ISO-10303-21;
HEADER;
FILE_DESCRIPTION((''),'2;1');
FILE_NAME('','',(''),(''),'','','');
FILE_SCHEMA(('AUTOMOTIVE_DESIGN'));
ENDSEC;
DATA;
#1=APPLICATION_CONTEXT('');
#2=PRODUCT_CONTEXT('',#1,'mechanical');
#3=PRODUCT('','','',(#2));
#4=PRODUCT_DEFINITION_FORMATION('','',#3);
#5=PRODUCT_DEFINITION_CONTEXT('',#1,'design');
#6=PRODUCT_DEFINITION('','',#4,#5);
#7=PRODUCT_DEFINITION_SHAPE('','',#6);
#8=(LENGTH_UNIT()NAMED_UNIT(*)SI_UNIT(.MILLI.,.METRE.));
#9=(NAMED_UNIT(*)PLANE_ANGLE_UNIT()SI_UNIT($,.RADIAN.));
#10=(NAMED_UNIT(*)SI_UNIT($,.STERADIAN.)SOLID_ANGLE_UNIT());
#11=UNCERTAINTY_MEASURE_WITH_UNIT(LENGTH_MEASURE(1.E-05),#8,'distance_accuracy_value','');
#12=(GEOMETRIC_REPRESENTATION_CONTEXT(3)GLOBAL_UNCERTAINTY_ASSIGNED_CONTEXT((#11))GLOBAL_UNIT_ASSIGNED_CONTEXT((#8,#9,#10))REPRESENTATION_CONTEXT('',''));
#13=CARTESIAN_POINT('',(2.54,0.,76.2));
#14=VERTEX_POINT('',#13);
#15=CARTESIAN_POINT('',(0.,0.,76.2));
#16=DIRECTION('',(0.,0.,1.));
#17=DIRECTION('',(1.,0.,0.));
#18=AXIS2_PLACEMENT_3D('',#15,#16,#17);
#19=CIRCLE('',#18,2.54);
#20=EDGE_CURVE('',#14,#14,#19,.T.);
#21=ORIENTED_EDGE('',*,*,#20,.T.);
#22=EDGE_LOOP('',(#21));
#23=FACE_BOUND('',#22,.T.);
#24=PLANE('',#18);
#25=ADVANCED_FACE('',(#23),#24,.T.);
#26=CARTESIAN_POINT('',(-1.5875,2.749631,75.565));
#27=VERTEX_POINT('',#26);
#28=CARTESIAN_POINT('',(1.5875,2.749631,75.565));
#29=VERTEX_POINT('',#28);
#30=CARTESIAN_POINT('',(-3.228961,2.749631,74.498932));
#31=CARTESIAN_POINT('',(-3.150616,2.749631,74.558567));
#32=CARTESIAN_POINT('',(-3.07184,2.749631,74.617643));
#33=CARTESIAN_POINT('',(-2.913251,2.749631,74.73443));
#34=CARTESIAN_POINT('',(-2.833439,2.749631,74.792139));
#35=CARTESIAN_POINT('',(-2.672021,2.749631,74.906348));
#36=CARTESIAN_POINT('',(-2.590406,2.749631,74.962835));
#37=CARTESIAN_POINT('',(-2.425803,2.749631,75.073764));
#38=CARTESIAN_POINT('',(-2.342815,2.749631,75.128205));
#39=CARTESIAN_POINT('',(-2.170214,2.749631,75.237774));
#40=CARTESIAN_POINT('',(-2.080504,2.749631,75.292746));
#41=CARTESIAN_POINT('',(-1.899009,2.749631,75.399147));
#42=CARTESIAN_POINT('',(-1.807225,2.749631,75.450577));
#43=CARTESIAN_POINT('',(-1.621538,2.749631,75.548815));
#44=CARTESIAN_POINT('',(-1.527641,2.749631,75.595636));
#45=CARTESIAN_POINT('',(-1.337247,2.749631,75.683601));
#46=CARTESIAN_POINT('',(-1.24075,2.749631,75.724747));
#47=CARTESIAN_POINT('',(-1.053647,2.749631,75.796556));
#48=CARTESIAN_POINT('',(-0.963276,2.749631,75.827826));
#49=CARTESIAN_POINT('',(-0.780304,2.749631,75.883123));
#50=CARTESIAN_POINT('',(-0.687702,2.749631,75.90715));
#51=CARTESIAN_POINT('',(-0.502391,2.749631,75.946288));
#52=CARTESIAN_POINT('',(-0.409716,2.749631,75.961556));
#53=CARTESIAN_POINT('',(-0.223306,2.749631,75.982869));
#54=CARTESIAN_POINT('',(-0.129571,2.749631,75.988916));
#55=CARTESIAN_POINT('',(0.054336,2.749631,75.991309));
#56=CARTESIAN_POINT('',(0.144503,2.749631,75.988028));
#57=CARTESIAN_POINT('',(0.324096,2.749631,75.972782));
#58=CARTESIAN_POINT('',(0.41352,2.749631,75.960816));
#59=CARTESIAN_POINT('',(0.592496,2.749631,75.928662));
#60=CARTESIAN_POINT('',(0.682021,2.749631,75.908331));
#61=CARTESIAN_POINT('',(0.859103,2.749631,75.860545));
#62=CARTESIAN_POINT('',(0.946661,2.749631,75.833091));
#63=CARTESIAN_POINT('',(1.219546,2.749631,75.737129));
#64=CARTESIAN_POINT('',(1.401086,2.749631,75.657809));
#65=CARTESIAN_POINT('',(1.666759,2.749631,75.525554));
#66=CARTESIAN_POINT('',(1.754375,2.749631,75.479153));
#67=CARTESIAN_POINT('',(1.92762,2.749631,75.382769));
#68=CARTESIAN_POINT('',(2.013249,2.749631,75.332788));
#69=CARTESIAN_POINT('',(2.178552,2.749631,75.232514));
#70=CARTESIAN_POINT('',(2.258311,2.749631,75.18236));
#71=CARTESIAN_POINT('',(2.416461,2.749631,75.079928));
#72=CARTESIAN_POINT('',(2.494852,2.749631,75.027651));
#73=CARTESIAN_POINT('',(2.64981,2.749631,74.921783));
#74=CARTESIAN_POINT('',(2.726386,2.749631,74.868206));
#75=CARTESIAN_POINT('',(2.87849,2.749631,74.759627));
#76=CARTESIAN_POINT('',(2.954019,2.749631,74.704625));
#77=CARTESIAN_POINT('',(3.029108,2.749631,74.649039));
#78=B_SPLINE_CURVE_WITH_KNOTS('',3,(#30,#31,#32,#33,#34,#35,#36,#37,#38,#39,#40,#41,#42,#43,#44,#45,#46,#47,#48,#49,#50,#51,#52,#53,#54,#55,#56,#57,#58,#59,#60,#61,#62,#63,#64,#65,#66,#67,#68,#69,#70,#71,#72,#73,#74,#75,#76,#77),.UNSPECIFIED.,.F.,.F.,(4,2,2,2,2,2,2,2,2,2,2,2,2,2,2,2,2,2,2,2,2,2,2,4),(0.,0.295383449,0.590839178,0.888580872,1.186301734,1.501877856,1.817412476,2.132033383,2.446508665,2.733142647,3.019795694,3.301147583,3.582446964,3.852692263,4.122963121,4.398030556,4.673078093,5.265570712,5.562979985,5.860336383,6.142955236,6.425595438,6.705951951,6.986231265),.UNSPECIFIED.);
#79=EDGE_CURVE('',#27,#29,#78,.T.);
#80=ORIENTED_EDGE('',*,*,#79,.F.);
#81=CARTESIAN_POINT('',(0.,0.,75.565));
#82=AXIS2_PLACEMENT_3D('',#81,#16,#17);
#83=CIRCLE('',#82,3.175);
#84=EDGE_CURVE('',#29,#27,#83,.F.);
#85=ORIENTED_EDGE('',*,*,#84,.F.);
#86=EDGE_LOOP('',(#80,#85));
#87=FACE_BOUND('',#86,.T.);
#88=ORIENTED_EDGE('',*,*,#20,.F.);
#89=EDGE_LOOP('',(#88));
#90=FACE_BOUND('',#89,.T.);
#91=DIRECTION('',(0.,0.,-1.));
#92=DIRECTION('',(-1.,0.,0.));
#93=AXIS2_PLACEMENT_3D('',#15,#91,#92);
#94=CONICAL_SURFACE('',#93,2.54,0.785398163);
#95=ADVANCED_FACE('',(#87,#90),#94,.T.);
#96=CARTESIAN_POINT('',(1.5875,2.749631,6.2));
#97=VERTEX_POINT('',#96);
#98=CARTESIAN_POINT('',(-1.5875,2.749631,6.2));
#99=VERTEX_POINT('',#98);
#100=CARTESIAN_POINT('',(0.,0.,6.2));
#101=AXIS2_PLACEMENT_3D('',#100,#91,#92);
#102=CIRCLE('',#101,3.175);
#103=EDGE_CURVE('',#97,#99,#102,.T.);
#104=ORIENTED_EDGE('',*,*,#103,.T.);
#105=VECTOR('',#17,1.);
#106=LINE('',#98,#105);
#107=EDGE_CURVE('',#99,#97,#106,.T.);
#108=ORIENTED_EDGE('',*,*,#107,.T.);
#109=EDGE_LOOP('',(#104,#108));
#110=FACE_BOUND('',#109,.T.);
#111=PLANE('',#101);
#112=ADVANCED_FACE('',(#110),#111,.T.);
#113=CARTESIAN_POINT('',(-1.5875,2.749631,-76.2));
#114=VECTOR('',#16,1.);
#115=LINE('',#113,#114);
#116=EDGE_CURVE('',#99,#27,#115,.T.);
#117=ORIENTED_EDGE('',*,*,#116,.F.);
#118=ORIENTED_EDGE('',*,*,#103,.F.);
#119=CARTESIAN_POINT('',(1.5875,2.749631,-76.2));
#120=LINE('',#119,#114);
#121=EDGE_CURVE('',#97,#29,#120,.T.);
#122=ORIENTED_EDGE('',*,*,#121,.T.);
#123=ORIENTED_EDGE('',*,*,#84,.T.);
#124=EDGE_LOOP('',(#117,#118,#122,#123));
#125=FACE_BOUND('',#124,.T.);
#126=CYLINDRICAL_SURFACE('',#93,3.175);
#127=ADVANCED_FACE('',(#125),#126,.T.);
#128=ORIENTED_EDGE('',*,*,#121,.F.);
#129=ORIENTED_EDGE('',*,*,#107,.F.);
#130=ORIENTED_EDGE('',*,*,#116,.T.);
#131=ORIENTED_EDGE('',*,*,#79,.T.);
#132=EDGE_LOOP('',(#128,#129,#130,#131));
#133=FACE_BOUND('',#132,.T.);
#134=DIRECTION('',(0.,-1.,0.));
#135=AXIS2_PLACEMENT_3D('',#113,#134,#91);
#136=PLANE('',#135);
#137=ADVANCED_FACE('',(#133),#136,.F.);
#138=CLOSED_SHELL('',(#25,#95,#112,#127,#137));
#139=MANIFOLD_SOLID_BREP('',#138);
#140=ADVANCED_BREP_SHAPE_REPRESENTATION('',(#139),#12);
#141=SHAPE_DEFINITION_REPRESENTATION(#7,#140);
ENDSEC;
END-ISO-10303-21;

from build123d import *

# Parameters (mm, degrees)
SKETCH1_R           = 3.175
EXTRUDE1_DEPTH      = 76.2
CHAMFER1_SIZE       = 0.635
EXTRUDE7_DEPTH      = 77.332177029
EXTRUDE7_DEPTH_BACK = 77.332177029
CUT_EXTRUDE1_START  = -82.4
SKETCH14_R          = 3.175
CUT_EXTRUDE1_DEPTH  = 82.4


with BuildPart() as part:
    # Sketch1 → Extrude1 (new, symmetric)
    with BuildSketch(Plane.XY):
        with Locations(Location((0, 0, 0), (0, 0, 180))):
            Circle(SKETCH1_R)
    extrude(amount=EXTRUDE1_DEPTH, both=True)

    # Chamfer1
    chamfer1_edges = [part.edges().sort_by_distance(p)[0] for p in [
        (3.175, 0, -76.2),
        (3.175, 0, 76.2),
    ]]
    chamfer(chamfer1_edges, length=CHAMFER1_SIZE)

    # Sketch13 → Extrude7 (cut, two sides: drawn at the far end of the back side and taken through both)
    with BuildSketch(Plane.XY.offset(-EXTRUDE7_DEPTH_BACK)):
        with BuildLine():
            Line((-1.5875, 2.749630657), (1.5875, 2.749630657))
            ThreePointArc((1.5875, 2.749630657), (0, 3.175), (-1.5875, 2.749630657))
        make_face()
    extrude(amount=EXTRUDE7_DEPTH + EXTRUDE7_DEPTH_BACK, mode=Mode.SUBTRACT)

    # Sketch14 → Cut-Extrude1 (cut)
    with BuildSketch(Plane(origin=(0, 0, -76.2), x_dir=(-1, 0, 0), z_dir=(0, 0, -1)).offset(CUT_EXTRUDE1_START)):
        Circle(SKETCH14_R)
    extrude(amount=CUT_EXTRUDE1_DEPTH, mode=Mode.SUBTRACT)


solid = part.part
